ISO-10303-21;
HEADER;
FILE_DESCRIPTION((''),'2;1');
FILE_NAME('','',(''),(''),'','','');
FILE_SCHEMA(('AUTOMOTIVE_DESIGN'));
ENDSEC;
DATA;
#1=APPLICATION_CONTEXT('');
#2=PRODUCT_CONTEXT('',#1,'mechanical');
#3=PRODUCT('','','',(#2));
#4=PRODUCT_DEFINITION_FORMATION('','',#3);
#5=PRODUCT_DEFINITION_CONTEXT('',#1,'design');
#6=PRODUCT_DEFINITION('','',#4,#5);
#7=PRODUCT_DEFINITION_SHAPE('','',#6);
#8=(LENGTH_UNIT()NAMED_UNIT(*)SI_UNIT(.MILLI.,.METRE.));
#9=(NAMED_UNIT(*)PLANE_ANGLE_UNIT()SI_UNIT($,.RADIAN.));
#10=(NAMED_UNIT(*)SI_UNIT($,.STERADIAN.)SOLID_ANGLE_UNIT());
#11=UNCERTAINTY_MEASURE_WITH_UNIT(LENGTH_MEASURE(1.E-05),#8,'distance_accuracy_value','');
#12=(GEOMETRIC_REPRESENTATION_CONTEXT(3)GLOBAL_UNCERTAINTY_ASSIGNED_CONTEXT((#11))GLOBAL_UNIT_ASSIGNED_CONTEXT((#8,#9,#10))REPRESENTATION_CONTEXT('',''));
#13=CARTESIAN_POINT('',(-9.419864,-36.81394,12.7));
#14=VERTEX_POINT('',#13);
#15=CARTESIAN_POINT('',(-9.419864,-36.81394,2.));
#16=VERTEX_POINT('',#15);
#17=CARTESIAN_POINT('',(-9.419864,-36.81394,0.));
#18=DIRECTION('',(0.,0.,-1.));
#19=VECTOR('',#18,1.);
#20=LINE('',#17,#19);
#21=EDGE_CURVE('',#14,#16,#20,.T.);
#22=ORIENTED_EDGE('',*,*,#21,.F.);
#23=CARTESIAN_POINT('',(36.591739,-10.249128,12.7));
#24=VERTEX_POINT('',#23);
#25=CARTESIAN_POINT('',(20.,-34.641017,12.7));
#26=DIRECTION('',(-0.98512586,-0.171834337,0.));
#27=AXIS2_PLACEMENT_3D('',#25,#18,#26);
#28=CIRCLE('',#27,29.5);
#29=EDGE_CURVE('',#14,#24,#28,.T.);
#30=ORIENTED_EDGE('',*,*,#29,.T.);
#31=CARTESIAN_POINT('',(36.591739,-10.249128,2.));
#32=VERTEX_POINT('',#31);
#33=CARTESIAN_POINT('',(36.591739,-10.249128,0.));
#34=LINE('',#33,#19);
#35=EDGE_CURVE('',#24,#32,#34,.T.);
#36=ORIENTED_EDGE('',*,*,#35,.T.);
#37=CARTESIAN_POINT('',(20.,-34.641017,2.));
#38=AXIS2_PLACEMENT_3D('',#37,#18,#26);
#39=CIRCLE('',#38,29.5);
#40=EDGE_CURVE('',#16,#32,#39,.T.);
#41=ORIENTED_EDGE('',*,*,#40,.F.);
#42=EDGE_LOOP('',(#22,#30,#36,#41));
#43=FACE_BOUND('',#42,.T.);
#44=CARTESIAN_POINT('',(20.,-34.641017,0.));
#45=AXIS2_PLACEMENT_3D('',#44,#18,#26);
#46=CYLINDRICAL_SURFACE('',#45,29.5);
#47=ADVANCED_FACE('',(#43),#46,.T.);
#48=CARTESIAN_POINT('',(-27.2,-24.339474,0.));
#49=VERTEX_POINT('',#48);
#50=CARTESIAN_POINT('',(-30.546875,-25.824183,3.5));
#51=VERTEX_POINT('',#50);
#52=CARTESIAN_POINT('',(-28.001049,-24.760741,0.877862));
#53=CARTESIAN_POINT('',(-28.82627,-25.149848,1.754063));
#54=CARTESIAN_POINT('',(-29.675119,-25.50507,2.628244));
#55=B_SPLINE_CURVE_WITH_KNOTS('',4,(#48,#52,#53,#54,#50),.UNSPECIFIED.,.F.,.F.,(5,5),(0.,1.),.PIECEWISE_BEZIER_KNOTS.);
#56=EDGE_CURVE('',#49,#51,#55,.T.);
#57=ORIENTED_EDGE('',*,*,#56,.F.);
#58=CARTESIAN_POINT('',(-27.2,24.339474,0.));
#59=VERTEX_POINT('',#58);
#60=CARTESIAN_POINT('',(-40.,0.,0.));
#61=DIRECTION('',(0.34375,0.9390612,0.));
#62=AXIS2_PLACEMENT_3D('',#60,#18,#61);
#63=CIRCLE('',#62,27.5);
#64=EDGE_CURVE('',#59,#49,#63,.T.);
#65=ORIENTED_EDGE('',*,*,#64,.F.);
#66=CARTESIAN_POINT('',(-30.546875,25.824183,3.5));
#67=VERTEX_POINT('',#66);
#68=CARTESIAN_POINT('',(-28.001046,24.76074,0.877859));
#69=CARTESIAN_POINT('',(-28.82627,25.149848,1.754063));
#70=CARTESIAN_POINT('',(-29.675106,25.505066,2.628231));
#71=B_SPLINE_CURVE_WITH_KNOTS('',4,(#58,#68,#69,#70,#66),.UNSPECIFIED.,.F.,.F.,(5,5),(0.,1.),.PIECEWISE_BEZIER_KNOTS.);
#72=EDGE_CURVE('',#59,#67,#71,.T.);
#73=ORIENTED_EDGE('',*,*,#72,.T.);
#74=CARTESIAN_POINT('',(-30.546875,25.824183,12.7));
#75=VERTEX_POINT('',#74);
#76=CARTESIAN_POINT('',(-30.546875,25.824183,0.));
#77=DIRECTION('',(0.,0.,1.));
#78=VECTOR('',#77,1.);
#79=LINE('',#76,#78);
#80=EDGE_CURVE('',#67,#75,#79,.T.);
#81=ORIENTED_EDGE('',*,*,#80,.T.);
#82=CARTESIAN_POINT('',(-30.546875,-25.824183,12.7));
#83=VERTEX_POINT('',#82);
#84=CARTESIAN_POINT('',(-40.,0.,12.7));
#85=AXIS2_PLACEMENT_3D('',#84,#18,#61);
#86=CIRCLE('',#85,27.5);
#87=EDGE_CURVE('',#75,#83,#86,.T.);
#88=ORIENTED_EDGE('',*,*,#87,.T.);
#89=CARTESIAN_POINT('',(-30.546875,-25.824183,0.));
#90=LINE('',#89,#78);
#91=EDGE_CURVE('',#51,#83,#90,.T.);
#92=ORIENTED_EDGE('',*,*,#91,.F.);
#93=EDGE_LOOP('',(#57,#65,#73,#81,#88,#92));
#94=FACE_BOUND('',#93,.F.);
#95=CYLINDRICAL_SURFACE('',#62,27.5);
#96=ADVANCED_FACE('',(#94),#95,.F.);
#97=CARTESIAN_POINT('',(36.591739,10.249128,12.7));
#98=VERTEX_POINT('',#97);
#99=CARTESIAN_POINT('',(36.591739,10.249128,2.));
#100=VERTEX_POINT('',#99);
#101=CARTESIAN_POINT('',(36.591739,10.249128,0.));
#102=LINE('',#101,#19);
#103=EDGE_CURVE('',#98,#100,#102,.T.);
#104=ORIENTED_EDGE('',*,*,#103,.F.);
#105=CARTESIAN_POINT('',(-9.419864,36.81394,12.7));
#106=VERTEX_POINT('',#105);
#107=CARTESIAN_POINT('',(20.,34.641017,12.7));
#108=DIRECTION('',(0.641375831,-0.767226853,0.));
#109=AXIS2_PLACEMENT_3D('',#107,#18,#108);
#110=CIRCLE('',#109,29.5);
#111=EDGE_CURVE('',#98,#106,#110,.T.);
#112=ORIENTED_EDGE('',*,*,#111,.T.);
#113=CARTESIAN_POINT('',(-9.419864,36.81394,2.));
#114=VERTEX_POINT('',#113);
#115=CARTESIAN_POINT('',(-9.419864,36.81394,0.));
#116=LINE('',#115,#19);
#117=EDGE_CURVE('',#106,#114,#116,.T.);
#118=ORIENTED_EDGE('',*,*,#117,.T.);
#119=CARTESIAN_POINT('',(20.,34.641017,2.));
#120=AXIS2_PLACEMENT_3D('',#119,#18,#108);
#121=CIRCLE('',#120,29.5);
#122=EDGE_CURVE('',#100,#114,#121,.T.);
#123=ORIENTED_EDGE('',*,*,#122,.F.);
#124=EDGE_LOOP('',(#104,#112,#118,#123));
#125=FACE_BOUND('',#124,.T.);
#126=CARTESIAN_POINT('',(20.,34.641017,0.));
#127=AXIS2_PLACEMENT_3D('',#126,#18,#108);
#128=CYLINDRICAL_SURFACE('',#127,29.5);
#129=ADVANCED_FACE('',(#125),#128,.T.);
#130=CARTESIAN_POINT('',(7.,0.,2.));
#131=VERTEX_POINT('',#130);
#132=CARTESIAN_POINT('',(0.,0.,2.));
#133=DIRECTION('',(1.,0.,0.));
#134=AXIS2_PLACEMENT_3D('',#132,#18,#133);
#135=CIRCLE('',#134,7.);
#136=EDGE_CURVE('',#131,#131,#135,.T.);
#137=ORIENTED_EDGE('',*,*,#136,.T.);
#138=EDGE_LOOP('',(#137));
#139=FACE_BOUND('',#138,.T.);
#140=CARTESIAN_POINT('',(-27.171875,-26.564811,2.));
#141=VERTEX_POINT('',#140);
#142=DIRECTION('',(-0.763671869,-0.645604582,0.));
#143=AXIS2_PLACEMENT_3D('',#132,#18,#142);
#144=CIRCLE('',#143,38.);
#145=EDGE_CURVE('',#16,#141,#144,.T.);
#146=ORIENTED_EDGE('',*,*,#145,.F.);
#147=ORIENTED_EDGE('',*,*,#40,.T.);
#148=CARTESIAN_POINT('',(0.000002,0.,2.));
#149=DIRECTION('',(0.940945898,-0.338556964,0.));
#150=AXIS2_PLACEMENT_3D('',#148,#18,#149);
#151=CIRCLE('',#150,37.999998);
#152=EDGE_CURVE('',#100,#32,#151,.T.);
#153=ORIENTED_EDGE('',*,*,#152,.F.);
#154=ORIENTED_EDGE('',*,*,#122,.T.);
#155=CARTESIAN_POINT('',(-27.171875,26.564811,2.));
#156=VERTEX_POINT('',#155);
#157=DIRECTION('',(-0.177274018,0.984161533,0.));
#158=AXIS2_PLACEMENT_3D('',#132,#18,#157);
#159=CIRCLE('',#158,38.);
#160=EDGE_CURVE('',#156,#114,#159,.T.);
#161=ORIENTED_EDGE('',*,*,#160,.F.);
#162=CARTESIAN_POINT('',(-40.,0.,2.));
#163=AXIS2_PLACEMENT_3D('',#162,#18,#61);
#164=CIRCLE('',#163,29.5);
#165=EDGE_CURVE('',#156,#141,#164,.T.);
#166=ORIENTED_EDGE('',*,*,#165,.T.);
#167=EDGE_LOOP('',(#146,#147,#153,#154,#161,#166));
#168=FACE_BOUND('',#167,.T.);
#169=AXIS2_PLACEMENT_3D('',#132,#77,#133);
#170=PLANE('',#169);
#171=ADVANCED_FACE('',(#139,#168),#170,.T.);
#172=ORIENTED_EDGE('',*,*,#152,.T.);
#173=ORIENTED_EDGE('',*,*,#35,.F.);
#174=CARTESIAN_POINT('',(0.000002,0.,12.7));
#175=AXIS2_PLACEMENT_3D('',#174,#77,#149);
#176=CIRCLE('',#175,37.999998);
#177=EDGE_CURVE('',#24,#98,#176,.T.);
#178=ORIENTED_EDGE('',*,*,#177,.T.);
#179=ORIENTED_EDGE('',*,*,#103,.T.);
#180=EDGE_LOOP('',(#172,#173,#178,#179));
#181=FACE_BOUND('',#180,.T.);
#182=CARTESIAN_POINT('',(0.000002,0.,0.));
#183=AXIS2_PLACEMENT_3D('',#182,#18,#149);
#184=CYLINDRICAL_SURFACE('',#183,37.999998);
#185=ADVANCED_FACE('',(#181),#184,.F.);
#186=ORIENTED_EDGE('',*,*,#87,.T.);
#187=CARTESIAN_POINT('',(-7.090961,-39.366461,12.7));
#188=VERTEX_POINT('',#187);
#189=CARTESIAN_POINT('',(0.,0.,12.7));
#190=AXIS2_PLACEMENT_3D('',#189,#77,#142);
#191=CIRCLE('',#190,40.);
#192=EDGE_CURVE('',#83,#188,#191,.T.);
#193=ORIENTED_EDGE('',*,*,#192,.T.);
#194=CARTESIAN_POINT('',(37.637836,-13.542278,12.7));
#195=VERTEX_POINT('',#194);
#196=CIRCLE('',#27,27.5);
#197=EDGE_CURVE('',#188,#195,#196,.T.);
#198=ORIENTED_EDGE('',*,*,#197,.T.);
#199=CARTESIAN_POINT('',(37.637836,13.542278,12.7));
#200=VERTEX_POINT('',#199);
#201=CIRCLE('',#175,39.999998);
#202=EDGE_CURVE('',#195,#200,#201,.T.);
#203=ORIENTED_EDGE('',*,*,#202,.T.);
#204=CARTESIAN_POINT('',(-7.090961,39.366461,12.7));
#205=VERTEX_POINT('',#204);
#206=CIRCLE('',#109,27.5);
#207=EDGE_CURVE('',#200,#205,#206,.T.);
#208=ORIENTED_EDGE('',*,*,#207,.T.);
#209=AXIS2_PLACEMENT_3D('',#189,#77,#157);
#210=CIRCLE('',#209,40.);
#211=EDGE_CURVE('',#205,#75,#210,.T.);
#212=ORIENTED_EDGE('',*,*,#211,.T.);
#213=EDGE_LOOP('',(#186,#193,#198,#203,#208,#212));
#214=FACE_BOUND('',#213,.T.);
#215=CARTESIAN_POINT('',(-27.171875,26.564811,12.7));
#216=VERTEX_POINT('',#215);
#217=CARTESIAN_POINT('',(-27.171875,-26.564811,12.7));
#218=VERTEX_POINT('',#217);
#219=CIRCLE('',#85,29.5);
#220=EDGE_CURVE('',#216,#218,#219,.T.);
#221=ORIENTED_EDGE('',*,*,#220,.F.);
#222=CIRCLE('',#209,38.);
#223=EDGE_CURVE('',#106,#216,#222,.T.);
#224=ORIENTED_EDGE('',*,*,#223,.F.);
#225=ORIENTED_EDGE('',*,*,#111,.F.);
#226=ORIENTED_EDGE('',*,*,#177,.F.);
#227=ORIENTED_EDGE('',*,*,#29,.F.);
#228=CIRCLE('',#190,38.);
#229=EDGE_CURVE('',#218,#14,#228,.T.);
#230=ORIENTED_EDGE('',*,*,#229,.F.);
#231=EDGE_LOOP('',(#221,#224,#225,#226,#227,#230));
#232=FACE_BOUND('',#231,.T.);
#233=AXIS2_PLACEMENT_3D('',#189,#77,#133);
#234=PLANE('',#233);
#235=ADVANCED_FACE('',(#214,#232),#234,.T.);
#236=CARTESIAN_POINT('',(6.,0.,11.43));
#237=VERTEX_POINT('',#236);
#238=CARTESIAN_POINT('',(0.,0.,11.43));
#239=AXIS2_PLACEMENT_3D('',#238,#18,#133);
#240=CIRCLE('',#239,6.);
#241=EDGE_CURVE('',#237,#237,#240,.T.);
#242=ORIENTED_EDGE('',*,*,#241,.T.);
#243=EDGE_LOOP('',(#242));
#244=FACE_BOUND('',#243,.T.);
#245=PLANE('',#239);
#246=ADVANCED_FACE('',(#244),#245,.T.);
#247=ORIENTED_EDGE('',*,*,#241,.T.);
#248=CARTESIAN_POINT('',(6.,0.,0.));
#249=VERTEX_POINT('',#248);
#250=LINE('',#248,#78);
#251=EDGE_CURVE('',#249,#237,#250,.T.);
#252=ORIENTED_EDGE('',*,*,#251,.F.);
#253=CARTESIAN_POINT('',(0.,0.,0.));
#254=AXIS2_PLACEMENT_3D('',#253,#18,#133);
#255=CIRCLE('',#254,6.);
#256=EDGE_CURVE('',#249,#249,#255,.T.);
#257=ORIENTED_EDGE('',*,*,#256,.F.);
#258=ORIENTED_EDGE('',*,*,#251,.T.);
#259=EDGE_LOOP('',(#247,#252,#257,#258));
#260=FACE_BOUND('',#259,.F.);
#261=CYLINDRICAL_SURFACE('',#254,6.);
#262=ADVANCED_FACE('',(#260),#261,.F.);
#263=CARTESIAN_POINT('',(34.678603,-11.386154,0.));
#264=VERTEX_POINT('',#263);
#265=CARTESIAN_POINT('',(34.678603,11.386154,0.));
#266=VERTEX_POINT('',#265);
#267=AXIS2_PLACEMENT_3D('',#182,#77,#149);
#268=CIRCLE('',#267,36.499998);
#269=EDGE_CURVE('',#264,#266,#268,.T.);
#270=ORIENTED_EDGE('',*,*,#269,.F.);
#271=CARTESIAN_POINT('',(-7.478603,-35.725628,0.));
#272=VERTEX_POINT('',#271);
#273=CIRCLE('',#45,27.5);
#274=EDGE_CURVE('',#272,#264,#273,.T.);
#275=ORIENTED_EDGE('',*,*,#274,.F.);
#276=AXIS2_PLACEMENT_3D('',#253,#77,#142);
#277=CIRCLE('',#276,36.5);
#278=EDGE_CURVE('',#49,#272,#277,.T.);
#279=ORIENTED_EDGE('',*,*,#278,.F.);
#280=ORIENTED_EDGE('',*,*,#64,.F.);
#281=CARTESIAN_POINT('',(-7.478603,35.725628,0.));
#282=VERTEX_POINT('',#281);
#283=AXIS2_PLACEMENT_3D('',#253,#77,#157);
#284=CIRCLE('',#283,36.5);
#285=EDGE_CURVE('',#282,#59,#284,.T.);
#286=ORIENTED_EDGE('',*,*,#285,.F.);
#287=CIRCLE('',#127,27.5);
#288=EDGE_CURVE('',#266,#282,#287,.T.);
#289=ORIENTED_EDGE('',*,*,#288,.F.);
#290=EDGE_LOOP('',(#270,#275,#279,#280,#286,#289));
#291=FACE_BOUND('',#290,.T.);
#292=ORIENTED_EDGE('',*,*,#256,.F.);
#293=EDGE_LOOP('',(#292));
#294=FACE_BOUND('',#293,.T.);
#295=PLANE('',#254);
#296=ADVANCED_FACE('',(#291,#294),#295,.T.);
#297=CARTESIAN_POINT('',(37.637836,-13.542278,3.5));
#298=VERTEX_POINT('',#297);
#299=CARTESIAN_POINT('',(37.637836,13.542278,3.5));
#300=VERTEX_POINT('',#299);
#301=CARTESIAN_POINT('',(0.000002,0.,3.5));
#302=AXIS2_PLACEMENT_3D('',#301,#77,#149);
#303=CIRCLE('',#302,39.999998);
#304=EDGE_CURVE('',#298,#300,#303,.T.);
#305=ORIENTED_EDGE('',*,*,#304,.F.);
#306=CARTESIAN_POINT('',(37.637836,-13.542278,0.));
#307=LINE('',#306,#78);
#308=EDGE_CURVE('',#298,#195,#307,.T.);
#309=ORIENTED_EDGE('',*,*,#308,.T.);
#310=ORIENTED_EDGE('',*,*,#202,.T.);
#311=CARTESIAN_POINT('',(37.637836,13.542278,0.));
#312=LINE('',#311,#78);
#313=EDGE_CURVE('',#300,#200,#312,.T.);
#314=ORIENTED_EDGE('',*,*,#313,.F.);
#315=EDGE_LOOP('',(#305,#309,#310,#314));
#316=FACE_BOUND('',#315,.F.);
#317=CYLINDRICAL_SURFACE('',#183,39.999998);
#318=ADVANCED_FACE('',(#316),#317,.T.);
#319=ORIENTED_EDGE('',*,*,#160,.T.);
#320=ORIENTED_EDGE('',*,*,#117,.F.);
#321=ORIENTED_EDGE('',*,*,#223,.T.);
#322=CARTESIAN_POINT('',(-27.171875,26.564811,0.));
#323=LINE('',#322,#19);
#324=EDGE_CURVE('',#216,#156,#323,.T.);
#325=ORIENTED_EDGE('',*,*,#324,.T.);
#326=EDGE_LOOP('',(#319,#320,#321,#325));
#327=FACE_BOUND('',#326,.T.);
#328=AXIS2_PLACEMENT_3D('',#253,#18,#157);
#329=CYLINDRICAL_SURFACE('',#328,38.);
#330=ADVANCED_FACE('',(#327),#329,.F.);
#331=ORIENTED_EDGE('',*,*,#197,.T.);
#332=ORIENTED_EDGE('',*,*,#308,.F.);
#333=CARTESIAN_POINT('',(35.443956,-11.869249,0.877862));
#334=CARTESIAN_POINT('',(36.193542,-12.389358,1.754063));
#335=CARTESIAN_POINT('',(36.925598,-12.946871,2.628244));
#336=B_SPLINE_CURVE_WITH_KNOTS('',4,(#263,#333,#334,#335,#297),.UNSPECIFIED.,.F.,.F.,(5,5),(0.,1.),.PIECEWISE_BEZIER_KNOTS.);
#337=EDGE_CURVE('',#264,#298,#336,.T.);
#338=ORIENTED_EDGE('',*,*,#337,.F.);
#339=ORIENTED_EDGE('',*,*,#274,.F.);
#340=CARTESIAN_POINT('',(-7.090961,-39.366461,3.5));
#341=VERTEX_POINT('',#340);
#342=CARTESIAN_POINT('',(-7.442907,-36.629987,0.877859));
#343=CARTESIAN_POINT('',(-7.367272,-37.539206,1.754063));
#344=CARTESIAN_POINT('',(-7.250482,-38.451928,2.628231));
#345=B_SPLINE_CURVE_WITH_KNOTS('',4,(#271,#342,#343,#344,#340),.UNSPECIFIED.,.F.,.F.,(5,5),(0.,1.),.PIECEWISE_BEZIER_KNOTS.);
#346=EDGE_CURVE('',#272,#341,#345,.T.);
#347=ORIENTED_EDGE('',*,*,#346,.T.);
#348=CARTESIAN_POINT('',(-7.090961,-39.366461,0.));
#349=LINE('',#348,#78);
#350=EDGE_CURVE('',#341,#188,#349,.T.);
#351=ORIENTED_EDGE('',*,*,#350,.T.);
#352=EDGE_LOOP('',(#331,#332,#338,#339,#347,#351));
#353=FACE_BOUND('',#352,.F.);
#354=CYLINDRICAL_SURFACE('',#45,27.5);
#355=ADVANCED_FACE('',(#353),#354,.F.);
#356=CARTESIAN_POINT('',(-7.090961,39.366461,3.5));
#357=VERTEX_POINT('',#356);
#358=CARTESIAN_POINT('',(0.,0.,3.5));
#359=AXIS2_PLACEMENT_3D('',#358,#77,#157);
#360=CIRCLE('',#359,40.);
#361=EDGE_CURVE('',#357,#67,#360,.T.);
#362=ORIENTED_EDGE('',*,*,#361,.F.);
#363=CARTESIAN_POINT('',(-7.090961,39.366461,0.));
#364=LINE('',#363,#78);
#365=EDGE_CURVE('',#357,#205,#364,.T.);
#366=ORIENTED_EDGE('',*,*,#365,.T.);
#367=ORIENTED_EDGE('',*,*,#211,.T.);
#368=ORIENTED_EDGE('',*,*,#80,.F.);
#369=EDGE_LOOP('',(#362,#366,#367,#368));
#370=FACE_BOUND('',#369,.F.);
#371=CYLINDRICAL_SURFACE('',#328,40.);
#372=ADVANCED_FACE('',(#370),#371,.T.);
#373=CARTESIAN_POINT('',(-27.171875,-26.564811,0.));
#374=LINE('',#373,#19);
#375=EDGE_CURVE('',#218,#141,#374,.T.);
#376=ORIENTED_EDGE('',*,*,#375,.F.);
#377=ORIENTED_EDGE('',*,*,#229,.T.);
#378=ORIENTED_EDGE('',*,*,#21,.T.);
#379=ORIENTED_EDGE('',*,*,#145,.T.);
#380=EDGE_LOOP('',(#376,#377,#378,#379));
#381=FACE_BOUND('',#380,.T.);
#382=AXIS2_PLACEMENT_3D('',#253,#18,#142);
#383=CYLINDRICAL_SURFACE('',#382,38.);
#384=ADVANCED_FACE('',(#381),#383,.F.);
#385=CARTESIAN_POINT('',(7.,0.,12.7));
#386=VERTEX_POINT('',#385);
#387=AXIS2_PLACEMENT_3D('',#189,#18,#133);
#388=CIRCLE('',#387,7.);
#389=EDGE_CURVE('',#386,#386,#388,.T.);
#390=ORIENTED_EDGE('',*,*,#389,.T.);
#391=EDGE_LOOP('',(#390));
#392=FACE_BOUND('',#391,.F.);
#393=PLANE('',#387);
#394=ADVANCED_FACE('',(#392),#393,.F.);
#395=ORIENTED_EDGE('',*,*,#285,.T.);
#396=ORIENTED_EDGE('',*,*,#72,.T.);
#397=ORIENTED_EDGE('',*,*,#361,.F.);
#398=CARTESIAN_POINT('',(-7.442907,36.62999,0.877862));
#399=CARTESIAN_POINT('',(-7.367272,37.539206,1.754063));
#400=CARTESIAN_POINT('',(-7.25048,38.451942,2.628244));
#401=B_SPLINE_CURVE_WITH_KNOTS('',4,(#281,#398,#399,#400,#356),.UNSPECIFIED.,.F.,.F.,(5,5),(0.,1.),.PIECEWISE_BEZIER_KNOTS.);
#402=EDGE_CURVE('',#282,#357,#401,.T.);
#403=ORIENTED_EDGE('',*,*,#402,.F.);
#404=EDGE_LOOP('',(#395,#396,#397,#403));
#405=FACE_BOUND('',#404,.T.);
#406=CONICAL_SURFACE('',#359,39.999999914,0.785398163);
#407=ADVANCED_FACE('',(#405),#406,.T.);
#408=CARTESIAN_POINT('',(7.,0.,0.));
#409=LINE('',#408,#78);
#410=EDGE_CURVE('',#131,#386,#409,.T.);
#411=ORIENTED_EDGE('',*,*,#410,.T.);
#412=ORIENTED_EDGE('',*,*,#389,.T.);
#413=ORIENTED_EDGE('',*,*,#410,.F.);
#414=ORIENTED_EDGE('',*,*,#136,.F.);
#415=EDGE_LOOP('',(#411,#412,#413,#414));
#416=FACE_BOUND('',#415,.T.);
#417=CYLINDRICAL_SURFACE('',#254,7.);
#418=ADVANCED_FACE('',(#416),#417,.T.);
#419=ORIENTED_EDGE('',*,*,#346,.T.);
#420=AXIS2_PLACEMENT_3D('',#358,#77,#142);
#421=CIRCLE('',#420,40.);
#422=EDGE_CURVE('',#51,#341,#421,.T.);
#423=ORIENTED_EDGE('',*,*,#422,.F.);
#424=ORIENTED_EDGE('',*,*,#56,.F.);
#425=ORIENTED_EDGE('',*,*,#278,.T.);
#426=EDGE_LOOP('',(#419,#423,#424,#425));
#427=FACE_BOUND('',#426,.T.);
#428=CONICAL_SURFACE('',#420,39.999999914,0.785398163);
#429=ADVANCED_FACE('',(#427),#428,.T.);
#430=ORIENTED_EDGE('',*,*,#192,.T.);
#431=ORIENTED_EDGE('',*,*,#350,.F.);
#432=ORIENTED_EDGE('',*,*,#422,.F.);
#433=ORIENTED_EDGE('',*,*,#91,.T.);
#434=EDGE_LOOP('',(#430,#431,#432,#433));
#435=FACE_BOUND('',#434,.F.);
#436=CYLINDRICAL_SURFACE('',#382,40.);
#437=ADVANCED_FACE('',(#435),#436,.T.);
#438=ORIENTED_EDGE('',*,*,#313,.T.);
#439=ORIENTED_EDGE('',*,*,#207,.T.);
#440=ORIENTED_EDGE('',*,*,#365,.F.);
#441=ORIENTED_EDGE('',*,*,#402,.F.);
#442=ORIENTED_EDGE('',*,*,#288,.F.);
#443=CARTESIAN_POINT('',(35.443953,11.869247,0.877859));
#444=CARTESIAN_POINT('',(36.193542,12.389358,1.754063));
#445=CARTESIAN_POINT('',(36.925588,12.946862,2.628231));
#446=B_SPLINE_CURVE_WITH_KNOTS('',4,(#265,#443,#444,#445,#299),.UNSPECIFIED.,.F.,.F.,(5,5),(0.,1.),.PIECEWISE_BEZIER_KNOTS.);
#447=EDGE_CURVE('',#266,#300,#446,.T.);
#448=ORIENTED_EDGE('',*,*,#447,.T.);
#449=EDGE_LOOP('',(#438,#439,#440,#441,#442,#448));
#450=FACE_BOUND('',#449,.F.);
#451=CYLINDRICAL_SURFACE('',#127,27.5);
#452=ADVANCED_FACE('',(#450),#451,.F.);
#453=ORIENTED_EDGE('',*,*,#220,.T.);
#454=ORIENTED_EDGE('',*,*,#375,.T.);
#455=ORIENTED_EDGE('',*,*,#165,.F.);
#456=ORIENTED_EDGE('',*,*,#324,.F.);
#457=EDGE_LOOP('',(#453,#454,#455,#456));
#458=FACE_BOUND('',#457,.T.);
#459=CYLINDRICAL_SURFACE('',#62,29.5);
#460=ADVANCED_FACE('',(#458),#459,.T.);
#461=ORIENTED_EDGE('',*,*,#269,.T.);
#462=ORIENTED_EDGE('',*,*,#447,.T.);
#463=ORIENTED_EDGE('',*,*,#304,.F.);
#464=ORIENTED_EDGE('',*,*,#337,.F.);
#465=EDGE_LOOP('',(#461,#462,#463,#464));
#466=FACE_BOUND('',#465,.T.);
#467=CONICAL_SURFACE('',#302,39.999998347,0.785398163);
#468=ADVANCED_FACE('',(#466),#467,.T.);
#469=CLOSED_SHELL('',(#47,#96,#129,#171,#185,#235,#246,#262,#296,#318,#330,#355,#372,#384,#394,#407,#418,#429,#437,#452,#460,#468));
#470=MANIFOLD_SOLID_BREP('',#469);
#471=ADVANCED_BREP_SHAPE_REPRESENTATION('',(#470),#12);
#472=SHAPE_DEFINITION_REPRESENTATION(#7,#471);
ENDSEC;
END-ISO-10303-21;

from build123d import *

# Parameters (mm, degrees)
F1_DEPTH = 12.7
F2_T     = -2
F3_R     = 7
F4_DEPTH = 12.7
F5_R     = 6
F6_DEPTH = 11.43
F7_SIZE  = 3.5


with BuildPart() as f1:
    # F0 (on Top) → F1 (new body)
    with BuildSketch(Plane.XY):
        with BuildLine():
            ThreePointArc((37.637836, 13.542278), (6.25, 10.825318), (-7.090961, 39.366461))
            ThreePointArc((-7.090961, 39.366461), (-20, 34.641016), (-30.546875, 25.824183))
            ThreePointArc((-30.546875, 25.824183), (-12.5, 0), (-30.546875, -25.824183))
            ThreePointArc((-30.546875, -25.824183), (-20, -34.641016), (-7.090961, -39.366461))
            ThreePointArc((-7.090961, -39.366461), (6.25, -10.825318), (37.637836, -13.542278))
            ThreePointArc((37.637836, -13.542278), (40, 0), (37.637836, 13.542278))
        make_face()
    extrude(amount=F1_DEPTH)

    # F2
    f2_openings = [f1.faces().sort_by_distance(p)[0] for p in [
        (0, 0, 12.7),
    ]]
    offset(amount=F2_T, openings=f2_openings)

    # F3 (on face) → F4 (join)
    with BuildSketch(Plane(origin=(0, 0, 0), x_dir=(1, 0, 0), z_dir=(0, 0, -1))):
        Circle(F3_R)
    extrude(amount=-F4_DEPTH)

    # F5 (on face) → F6 (cut)
    with BuildSketch(Plane(origin=(0, 0, 0), x_dir=(1, 0, 0), z_dir=(0, 0, -1))):
        Circle(F5_R)
    extrude(amount=-F6_DEPTH, mode=Mode.SUBTRACT)

    # F7
    f7_edges = [f1.edges().sort_by_distance(p)[0] for p in [
        (40, 0, 0),
        (-20, -34.641016, 0),
        (-20, 34.641016, 0),
    ]]
    chamfer(f7_edges, length=F7_SIZE)


solid = f1.part
